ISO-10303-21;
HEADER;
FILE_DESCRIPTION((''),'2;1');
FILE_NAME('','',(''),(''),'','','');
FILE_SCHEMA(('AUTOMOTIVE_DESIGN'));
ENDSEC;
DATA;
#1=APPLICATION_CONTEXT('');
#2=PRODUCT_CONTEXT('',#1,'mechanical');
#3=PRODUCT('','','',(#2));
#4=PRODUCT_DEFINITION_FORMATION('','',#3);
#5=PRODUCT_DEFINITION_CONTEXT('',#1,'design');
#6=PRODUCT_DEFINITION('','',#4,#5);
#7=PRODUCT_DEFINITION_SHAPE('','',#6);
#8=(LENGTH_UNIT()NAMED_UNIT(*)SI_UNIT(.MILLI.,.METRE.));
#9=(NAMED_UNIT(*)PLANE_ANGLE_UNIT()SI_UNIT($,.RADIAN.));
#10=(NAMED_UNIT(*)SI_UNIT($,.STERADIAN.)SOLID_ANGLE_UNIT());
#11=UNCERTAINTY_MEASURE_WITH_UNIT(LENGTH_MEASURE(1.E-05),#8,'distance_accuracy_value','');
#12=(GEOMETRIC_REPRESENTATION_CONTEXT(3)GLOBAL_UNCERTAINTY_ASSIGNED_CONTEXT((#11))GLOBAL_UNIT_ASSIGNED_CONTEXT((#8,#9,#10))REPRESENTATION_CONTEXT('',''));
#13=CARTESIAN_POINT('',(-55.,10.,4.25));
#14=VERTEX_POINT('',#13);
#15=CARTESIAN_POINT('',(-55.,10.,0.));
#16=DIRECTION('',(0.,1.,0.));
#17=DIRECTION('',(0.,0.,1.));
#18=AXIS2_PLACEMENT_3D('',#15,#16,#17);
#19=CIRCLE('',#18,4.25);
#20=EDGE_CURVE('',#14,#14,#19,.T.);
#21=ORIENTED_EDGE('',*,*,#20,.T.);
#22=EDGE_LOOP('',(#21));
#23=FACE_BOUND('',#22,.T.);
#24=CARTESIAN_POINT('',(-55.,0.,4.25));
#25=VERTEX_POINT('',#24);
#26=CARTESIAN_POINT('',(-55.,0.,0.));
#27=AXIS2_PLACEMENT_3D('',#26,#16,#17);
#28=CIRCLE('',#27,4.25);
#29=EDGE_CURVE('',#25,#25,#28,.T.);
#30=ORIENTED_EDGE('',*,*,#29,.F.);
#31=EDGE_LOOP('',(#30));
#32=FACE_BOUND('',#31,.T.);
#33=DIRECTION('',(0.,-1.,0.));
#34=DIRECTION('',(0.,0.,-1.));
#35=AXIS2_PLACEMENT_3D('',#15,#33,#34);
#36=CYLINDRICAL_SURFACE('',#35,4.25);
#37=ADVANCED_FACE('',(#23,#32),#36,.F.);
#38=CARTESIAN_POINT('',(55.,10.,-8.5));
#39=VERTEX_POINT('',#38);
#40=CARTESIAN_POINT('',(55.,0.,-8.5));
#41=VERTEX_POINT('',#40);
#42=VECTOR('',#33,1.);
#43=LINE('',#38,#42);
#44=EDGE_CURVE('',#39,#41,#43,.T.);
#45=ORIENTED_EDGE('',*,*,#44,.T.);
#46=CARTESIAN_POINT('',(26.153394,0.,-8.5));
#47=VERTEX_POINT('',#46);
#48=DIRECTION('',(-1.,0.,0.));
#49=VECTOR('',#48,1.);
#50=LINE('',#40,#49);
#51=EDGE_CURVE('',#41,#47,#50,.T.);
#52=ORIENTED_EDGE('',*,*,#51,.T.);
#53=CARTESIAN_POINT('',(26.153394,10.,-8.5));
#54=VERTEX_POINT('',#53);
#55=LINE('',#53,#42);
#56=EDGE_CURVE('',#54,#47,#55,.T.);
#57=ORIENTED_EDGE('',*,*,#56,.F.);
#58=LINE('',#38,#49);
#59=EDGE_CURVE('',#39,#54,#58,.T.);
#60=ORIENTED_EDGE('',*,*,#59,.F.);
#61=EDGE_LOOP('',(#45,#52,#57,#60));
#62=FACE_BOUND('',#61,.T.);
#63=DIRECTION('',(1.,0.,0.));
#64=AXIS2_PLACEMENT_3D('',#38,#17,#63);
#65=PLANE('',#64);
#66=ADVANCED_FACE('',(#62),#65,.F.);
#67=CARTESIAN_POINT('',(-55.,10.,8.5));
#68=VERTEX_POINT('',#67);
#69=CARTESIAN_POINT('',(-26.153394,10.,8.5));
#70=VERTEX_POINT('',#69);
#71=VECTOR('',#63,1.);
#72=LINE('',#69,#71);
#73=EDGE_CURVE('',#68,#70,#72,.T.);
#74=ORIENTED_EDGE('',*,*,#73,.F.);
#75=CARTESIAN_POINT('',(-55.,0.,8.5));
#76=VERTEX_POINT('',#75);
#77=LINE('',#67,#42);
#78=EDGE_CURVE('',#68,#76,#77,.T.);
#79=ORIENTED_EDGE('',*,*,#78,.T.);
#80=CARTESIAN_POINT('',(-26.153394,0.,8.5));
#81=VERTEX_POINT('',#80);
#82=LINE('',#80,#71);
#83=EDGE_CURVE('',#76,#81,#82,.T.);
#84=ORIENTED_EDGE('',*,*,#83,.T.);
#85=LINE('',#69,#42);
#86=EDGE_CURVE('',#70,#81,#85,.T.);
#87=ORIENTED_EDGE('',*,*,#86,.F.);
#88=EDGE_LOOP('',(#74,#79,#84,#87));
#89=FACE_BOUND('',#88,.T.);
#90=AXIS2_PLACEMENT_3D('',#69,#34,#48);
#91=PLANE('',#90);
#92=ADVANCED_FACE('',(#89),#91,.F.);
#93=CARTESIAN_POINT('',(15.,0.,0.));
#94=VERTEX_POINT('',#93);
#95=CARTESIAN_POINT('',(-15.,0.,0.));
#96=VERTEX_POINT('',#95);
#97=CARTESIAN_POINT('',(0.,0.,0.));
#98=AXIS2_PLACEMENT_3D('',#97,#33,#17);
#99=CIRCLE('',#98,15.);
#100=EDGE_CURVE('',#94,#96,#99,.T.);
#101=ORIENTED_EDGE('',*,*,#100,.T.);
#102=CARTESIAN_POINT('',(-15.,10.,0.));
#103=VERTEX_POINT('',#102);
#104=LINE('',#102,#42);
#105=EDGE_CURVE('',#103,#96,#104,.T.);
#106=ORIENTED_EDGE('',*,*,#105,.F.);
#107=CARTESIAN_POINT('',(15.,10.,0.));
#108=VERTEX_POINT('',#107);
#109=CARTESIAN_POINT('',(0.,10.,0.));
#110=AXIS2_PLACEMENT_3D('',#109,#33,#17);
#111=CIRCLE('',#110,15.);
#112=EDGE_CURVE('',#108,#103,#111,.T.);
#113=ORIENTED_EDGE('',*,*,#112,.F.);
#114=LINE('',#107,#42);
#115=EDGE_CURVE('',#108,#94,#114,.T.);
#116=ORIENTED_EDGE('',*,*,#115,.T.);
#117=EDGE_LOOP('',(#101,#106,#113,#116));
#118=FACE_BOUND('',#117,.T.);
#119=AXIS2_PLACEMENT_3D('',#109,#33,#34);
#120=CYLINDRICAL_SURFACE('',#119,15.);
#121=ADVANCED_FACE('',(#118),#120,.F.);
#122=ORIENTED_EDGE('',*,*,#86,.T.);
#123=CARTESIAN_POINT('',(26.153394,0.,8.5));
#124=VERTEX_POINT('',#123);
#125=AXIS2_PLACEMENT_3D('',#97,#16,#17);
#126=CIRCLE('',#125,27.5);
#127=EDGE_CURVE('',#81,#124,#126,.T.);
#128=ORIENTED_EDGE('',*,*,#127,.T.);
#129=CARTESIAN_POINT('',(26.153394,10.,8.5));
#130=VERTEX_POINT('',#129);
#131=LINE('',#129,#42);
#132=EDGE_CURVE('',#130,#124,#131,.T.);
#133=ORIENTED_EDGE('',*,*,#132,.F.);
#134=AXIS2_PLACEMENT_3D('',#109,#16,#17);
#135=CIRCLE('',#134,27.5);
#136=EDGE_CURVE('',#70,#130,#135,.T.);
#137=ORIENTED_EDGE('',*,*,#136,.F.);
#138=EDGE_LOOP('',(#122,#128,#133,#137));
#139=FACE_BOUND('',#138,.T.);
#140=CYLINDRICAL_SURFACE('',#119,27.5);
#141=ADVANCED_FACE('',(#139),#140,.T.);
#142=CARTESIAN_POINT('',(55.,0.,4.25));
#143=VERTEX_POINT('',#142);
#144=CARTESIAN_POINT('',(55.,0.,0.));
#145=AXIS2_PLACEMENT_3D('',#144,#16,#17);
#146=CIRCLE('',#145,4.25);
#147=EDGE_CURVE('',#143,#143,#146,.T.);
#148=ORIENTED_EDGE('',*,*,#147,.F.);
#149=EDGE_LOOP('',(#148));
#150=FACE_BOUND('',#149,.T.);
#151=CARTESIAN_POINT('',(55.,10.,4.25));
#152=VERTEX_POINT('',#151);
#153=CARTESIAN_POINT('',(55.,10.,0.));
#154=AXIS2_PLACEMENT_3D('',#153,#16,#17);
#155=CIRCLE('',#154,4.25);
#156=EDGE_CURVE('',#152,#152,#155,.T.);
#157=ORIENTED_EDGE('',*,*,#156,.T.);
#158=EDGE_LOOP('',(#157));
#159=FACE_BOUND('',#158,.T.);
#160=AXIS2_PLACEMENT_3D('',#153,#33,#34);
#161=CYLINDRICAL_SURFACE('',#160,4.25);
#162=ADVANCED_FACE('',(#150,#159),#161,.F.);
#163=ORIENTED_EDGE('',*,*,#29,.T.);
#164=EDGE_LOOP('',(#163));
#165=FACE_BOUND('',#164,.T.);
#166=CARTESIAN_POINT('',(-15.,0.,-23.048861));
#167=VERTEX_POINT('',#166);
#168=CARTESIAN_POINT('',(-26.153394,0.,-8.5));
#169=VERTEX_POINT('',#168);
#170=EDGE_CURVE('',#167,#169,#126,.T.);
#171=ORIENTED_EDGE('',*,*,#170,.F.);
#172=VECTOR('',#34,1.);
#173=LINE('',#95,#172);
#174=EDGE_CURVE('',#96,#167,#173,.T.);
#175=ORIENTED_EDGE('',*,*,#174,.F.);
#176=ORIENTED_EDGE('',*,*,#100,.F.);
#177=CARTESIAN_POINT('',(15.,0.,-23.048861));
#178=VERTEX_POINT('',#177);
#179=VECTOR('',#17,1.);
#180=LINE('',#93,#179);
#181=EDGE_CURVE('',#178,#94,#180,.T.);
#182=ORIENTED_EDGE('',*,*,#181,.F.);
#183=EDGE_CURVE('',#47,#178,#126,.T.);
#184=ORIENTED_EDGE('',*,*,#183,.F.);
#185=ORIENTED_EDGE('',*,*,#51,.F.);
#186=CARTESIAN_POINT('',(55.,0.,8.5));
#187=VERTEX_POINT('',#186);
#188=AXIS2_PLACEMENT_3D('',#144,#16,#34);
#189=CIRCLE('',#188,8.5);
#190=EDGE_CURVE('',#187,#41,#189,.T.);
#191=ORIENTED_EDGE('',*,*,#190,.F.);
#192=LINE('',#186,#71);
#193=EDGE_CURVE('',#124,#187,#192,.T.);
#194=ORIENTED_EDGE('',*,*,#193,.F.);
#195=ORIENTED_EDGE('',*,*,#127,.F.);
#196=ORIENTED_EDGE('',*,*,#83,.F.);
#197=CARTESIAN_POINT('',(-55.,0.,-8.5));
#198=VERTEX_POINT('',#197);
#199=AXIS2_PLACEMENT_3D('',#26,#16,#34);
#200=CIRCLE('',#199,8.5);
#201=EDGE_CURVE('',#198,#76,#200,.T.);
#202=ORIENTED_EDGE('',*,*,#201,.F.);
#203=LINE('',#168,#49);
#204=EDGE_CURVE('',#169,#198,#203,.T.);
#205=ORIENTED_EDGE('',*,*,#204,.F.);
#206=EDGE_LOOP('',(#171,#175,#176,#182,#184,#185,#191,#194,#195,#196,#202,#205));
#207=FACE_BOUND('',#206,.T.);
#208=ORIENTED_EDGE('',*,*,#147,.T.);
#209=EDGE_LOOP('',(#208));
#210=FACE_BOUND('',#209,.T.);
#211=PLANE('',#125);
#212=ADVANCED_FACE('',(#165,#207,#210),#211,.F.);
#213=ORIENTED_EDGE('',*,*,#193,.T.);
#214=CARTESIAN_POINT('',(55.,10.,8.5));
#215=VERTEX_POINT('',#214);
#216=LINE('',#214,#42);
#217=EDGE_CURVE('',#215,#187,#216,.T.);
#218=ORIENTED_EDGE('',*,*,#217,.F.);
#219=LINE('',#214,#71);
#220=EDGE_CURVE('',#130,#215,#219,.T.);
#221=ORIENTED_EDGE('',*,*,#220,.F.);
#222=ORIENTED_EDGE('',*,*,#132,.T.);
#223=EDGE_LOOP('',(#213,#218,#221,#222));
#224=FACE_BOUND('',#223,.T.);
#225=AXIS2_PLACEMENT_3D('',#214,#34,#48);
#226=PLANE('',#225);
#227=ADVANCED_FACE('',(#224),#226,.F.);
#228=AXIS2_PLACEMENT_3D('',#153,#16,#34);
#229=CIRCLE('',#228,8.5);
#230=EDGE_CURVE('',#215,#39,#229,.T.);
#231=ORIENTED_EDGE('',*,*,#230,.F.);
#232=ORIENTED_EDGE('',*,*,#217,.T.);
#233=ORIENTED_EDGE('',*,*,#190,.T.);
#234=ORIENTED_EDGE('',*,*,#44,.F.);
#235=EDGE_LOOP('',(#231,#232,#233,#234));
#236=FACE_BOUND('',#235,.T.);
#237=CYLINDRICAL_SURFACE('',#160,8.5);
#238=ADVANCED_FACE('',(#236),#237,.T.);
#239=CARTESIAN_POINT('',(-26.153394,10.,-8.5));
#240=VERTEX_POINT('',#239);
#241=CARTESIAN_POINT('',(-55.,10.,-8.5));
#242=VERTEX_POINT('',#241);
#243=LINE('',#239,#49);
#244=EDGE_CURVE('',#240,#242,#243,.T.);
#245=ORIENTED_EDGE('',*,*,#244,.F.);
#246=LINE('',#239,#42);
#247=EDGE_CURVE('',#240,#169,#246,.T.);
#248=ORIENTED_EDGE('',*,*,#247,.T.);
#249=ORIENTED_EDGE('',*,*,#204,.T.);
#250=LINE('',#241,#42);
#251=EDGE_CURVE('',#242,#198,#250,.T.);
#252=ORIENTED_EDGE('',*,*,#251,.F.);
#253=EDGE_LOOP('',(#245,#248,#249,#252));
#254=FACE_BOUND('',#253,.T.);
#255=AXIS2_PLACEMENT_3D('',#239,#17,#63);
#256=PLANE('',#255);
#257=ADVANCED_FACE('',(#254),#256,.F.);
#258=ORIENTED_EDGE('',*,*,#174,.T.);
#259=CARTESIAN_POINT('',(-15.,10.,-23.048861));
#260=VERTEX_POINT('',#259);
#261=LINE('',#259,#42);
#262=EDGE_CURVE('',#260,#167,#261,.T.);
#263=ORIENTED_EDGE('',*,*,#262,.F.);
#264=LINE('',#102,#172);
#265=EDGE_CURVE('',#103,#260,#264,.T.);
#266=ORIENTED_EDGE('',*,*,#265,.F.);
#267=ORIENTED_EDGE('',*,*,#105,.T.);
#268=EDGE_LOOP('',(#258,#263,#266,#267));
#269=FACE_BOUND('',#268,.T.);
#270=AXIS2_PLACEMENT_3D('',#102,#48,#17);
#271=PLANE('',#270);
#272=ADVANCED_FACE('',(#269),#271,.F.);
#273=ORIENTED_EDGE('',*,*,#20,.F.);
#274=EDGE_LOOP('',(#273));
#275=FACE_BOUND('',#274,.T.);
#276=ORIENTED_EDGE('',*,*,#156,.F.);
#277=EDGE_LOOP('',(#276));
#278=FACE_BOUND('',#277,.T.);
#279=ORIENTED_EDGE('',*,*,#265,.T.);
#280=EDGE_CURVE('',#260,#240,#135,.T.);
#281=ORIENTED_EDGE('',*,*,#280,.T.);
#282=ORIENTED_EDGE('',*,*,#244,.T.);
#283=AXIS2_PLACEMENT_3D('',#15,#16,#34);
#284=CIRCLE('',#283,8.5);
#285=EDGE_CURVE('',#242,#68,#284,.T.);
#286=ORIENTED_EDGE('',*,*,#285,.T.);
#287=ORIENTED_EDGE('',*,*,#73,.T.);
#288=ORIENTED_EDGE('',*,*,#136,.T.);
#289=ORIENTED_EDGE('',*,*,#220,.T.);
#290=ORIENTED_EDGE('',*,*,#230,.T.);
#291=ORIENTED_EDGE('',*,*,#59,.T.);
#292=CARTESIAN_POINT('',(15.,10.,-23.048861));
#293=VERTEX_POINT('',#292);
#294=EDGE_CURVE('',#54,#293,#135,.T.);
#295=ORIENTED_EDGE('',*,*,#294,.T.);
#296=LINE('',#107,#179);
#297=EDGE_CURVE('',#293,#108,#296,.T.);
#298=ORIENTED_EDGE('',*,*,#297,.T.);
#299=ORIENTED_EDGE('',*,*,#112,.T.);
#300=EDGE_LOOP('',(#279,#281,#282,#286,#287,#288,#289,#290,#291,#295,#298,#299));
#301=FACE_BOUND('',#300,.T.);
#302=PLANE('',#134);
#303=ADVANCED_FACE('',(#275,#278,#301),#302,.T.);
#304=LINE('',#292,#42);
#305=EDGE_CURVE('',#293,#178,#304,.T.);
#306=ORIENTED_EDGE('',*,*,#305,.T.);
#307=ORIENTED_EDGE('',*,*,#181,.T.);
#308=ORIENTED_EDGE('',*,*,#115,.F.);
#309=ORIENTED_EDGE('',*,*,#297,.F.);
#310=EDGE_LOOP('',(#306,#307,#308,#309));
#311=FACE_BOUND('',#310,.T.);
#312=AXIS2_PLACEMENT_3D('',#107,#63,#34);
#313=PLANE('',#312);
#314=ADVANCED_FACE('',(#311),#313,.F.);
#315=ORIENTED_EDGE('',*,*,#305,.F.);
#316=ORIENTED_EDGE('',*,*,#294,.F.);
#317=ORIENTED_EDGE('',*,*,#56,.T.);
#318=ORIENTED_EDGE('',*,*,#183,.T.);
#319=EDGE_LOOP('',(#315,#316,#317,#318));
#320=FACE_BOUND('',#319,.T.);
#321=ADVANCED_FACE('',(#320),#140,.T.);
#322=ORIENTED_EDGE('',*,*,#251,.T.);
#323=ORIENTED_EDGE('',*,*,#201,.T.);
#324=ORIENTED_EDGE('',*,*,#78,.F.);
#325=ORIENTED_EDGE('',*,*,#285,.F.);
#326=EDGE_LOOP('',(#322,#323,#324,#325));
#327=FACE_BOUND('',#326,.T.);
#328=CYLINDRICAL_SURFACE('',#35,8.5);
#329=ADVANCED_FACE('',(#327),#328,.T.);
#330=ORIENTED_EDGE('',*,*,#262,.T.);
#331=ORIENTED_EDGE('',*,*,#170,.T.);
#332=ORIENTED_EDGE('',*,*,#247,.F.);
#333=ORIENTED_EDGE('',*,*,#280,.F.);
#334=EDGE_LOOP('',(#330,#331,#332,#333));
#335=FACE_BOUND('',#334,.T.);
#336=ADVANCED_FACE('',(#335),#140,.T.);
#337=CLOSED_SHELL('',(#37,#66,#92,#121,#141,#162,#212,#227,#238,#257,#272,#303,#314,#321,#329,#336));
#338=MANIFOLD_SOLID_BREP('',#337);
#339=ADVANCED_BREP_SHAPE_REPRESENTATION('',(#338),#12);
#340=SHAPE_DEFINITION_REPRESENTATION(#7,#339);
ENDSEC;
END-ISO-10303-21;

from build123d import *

# Parameters (mm, degrees)
SKETCH1_R           = 4.25
BOSS_EXTRUDE1_DEPTH = 10


with BuildPart() as part:
    # Sketch1 → Boss-Extrude1 (new body)
    with BuildSketch(Plane(origin=(0, 0, 0), x_dir=(1, 0, 0), z_dir=(0, 1, 0))):
        with BuildLine():
            Line((55, 8.5), (26.153393661, 8.5))
            ThreePointArc((26.153393661, 8.5), (21.824706014, 16.731174717), (15, 23.048861143))
            Line((15, 23.048861143), (15, 0))
            ThreePointArc((15, 0), (0, -15), (-15, 0))
            Line((-15, 0), (-15, 23.048861143))
            ThreePointArc((-15, 23.048861143), (-21.824706014, 16.731174717), (-26.153393661, 8.5))
            Line((-26.153393661, 8.5), (-55, 8.5))
            ThreePointArc((-55, 8.5), (-63.5, 0), (-55, -8.5))
            Line((-55, -8.5), (-26.153393661, -8.5))
            ThreePointArc((-26.153393661, -8.5), (0, -27.5), (26.153393661, -8.5))
            Line((26.153393661, -8.5), (55, -8.5))
            ThreePointArc((55, -8.5), (63.5, 0), (55, 8.5))
        make_face()
        with Locations(Location((-55, 0, 0), (0, 0, 270))):
            Circle(SKETCH1_R, mode=Mode.SUBTRACT)
        with Locations(Location((55, 0, 0), (0, 0, 270))):
            Circle(SKETCH1_R, mode=Mode.SUBTRACT)
    extrude(amount=BOSS_EXTRUDE1_DEPTH)


solid = part.part
